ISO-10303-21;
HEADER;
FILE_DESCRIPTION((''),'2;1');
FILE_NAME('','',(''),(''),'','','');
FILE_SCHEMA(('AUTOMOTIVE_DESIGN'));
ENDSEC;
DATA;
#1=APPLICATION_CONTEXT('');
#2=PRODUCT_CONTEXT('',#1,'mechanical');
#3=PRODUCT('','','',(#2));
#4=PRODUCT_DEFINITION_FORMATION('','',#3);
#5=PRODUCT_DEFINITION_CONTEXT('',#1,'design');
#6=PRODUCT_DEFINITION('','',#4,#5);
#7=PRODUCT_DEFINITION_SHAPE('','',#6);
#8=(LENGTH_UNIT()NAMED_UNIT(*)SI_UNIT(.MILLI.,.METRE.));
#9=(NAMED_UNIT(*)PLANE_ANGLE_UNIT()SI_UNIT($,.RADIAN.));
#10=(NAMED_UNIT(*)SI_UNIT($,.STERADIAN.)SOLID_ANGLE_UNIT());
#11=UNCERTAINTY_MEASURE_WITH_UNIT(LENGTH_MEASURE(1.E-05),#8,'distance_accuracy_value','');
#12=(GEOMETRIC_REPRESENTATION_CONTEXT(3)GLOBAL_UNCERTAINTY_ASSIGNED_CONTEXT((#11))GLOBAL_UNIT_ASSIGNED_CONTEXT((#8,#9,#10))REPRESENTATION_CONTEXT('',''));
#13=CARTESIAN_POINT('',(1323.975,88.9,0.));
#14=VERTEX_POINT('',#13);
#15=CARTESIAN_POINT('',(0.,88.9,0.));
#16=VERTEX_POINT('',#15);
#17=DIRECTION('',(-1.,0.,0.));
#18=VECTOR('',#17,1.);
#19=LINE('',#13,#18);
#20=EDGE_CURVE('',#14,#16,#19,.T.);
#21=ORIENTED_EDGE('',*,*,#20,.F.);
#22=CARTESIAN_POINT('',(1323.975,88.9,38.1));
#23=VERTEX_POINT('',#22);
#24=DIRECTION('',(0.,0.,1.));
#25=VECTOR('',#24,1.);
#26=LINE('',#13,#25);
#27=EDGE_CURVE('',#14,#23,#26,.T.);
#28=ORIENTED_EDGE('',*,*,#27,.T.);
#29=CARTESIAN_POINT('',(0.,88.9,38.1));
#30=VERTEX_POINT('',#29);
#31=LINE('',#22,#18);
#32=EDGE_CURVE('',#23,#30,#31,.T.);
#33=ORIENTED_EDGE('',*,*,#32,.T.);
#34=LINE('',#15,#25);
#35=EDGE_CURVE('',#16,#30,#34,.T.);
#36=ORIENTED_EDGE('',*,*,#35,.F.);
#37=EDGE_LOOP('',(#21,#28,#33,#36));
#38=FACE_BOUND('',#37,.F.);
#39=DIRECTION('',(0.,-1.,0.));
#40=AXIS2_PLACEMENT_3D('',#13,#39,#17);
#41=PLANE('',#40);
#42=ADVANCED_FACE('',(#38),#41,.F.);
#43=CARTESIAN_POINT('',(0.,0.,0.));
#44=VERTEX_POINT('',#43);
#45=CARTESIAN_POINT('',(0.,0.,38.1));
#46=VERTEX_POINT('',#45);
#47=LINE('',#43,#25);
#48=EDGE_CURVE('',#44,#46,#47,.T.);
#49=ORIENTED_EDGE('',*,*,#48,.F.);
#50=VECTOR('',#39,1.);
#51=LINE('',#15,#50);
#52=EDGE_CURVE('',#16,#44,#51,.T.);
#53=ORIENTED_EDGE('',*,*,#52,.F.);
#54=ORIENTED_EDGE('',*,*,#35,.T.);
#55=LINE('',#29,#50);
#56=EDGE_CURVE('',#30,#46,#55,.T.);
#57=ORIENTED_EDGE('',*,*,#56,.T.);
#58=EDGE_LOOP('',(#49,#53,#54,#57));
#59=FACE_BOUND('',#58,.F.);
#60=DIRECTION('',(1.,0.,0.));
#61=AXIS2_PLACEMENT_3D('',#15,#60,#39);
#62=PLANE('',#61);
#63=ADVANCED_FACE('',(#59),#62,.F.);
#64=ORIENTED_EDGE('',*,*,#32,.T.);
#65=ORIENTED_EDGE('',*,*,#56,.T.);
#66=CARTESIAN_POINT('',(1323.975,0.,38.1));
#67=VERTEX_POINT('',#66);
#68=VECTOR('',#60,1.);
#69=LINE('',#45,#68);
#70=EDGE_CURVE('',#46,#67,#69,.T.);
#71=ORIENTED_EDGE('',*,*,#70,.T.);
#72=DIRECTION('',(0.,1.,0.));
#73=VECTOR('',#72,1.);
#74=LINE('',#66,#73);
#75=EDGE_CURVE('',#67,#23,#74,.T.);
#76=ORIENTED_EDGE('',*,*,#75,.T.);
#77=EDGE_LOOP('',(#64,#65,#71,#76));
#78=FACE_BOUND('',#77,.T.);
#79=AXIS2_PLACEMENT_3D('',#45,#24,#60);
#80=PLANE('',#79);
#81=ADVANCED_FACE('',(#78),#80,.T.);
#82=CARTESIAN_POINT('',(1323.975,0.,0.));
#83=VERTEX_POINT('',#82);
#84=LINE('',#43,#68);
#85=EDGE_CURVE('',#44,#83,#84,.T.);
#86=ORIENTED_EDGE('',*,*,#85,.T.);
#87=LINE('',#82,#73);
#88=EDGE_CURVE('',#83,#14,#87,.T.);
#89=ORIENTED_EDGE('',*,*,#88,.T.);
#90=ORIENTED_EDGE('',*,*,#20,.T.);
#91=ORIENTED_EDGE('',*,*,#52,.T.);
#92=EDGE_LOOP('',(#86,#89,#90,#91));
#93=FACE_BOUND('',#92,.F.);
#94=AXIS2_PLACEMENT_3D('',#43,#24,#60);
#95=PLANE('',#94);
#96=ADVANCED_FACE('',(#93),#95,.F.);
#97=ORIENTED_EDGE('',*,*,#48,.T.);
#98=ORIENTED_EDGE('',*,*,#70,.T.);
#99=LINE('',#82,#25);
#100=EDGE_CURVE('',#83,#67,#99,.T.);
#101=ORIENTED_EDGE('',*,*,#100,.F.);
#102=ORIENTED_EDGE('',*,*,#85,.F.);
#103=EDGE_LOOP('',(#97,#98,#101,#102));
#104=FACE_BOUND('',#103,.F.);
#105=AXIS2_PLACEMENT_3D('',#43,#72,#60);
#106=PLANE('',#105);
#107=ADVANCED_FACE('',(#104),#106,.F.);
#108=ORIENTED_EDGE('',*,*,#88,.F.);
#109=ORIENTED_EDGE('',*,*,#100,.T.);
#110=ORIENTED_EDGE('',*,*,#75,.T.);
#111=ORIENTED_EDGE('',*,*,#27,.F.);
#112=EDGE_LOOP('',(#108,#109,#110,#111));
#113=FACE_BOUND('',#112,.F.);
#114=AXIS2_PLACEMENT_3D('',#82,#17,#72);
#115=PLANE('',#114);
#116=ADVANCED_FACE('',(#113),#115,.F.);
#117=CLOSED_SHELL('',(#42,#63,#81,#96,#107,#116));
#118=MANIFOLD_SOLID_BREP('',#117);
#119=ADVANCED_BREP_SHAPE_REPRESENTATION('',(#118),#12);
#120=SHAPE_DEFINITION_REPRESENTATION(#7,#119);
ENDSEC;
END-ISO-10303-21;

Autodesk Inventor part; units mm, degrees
ref_plane "YZ Plane" through (0, 0, 0) normal (1, 0, 0) x (0, 1, 0)
ref_plane "XZ Plane" through (0, 0, 0) normal (0, 1, 0) x (-1, 0, 0)
ref_plane "XY Plane" through (0, 0, 0) normal (0, 0, 1) x (1, 0, 0)
sketch "Sketch1" plane through (0, 0, 0) normal (0, 0, 1) x (1, 0, 0)
  line L0 (0, 0) -> (1323.975, 0)
  line L1 (1323.975, 0) -> (1323.975, 88.9)
  line L2 (1323.975, 88.9) -> (0, 88.9)
  line L3 (0, 88.9) -> (0, 0)
  dimension "d0" = 1323.975
  dimension "d1" = 88.9
extrude "Extrusion1" add sketch "Sketch1" along normal blind 38.1
properties part number "52.125 2x4"
